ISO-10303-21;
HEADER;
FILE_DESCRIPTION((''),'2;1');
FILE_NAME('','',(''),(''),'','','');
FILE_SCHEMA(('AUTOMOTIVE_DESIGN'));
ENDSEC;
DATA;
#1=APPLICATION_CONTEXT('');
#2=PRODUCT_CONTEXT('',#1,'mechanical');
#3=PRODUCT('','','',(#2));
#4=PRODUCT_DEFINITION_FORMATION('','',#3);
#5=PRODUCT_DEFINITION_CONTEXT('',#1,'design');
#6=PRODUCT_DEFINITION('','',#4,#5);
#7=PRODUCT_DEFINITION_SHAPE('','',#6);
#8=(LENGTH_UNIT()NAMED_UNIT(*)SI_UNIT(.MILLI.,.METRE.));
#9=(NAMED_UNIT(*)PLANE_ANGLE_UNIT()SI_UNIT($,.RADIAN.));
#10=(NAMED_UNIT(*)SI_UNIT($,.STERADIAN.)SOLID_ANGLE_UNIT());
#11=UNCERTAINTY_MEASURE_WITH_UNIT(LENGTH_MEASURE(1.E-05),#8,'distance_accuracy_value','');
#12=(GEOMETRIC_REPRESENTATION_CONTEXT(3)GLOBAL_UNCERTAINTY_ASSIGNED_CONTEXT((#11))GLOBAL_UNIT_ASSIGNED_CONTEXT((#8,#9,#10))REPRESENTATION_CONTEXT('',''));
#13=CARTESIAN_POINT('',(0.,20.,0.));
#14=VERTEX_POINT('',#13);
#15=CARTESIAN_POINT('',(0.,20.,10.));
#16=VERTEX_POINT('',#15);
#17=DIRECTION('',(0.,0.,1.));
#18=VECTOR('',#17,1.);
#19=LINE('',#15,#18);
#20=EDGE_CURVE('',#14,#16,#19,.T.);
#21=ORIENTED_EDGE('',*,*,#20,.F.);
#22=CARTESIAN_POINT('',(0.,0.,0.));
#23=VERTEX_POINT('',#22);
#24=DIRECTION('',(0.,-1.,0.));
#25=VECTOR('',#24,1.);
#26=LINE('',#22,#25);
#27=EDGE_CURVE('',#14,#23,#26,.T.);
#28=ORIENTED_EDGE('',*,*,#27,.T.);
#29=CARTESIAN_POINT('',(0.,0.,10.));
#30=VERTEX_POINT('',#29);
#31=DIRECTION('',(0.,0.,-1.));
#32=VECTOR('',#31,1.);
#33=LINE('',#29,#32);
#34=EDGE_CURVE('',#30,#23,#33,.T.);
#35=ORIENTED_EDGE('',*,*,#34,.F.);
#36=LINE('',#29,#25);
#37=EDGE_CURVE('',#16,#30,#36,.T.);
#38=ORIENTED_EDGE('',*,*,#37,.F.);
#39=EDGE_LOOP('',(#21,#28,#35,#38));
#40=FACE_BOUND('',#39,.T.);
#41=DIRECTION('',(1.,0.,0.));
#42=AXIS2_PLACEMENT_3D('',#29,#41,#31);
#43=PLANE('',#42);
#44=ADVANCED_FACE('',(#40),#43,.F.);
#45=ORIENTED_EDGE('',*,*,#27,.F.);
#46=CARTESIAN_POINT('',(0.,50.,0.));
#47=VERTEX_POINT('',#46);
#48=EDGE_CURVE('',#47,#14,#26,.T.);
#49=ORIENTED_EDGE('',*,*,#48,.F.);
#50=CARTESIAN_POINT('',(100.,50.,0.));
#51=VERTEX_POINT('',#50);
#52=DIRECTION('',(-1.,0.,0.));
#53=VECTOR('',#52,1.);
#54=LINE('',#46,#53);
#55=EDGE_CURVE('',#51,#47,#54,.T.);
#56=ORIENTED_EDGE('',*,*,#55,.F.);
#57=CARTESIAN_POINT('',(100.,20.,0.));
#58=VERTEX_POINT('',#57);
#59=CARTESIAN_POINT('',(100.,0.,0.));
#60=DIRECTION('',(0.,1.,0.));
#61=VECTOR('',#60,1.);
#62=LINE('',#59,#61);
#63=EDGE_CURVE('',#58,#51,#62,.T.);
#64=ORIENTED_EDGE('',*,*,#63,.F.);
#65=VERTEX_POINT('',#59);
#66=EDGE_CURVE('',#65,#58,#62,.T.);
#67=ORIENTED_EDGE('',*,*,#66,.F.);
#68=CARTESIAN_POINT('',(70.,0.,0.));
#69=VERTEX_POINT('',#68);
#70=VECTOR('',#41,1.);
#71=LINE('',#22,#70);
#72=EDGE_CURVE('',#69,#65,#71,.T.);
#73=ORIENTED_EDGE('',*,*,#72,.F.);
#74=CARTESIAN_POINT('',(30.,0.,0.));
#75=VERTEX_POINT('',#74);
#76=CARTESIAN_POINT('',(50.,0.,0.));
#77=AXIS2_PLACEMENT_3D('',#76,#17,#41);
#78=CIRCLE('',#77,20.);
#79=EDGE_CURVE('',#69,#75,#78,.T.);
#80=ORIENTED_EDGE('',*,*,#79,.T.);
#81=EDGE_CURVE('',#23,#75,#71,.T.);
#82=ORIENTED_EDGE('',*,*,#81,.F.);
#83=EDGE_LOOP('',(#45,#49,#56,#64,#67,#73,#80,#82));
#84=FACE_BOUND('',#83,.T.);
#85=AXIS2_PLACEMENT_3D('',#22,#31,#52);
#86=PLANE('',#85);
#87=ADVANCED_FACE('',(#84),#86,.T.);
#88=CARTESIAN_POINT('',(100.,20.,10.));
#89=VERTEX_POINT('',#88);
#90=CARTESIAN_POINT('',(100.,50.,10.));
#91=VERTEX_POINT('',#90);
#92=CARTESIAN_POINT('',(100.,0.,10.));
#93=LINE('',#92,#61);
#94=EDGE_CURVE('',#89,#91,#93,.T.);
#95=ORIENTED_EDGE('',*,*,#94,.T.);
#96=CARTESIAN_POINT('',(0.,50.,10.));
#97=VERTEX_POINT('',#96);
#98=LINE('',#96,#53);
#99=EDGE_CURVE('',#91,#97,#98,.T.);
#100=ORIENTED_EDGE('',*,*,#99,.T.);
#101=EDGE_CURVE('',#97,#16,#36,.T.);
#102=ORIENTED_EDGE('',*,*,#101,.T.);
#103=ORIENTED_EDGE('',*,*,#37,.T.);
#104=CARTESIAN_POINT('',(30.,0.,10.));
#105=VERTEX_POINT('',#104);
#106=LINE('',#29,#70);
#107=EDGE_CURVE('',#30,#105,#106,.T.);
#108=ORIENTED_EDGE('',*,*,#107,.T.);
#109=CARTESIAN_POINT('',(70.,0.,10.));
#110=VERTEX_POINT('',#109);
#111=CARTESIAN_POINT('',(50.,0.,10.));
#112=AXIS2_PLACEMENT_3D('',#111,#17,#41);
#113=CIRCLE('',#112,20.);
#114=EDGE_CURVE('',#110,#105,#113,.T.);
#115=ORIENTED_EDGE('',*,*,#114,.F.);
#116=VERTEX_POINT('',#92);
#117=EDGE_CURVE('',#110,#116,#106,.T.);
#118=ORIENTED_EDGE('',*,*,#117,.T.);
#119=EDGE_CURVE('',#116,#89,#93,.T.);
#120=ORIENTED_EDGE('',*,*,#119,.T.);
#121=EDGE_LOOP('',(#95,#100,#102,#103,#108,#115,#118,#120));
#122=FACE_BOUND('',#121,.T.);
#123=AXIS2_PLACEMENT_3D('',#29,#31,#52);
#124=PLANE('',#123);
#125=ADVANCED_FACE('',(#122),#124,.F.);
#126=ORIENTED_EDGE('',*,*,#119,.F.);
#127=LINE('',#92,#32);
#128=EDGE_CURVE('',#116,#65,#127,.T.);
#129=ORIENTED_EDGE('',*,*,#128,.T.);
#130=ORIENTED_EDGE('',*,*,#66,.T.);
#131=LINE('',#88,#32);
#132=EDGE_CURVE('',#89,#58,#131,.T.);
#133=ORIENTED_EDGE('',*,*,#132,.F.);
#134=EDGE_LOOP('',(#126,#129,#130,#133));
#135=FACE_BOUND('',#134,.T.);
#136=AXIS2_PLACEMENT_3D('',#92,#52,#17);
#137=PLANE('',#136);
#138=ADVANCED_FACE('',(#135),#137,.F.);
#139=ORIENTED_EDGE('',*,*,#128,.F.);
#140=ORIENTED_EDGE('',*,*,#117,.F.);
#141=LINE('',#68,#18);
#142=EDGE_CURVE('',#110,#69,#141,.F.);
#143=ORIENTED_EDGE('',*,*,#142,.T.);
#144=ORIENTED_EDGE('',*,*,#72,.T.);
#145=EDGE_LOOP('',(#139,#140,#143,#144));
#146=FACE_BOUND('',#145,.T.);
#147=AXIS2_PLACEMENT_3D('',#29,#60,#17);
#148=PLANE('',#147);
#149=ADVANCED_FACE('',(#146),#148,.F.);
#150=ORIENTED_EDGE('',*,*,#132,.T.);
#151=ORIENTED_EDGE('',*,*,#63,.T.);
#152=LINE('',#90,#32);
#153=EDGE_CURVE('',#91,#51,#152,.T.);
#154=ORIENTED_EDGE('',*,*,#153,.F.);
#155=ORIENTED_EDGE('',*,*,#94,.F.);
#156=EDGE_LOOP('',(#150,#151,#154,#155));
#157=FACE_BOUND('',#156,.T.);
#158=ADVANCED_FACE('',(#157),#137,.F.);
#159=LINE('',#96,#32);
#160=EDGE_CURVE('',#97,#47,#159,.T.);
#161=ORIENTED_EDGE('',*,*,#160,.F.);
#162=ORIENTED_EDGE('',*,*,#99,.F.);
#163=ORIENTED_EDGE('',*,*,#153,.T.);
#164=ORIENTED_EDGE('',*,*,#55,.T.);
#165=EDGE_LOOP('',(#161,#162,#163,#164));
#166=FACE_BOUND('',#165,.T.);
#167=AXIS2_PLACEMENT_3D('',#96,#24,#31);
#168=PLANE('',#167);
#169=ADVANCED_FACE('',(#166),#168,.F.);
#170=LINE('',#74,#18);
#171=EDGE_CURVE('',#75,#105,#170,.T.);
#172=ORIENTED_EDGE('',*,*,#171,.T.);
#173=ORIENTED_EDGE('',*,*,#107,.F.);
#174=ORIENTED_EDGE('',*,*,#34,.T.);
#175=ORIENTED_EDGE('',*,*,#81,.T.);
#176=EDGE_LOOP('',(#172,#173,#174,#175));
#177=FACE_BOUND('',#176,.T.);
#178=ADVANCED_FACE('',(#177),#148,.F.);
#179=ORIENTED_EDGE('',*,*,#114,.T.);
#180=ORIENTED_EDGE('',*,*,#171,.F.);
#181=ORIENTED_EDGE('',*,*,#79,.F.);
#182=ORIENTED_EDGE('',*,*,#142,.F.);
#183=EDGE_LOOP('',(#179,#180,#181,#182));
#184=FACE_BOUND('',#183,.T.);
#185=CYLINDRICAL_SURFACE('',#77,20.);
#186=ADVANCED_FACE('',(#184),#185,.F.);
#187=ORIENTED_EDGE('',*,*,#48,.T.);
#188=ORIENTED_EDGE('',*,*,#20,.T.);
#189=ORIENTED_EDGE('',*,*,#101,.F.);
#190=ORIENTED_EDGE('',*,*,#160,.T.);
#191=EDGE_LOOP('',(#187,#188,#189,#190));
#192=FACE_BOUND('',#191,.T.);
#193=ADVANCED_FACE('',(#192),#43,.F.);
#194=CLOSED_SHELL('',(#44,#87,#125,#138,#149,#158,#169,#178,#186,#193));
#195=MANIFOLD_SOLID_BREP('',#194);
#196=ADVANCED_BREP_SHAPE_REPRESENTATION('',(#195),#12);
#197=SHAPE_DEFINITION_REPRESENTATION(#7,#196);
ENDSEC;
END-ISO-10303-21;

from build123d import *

# Parameters (mm, degrees)
SKETCH1_W           = 100
SKETCH1_H           = 50
BOSS_EXTRUDE1_DEPTH = 10
SKETCH3_R           = 20
CUT_EXTRUDE1_DEPTH  = 113.249721603


with BuildPart() as part:
    # Sketch1 → Boss-Extrude1 (new body)
    with BuildSketch(Plane.XY):
        with Locations((50, 25)):
            Rectangle(SKETCH1_W, SKETCH1_H)
    extrude(amount=BOSS_EXTRUDE1_DEPTH)

    # Sketch3 → Cut-Extrude1 (cut, through all)
    with BuildSketch(Plane.XY.offset(10)):
        with Locations((50, 0)):
            Circle(SKETCH3_R)
    extrude(amount=-CUT_EXTRUDE1_DEPTH, mode=Mode.SUBTRACT)


solid = part.part
